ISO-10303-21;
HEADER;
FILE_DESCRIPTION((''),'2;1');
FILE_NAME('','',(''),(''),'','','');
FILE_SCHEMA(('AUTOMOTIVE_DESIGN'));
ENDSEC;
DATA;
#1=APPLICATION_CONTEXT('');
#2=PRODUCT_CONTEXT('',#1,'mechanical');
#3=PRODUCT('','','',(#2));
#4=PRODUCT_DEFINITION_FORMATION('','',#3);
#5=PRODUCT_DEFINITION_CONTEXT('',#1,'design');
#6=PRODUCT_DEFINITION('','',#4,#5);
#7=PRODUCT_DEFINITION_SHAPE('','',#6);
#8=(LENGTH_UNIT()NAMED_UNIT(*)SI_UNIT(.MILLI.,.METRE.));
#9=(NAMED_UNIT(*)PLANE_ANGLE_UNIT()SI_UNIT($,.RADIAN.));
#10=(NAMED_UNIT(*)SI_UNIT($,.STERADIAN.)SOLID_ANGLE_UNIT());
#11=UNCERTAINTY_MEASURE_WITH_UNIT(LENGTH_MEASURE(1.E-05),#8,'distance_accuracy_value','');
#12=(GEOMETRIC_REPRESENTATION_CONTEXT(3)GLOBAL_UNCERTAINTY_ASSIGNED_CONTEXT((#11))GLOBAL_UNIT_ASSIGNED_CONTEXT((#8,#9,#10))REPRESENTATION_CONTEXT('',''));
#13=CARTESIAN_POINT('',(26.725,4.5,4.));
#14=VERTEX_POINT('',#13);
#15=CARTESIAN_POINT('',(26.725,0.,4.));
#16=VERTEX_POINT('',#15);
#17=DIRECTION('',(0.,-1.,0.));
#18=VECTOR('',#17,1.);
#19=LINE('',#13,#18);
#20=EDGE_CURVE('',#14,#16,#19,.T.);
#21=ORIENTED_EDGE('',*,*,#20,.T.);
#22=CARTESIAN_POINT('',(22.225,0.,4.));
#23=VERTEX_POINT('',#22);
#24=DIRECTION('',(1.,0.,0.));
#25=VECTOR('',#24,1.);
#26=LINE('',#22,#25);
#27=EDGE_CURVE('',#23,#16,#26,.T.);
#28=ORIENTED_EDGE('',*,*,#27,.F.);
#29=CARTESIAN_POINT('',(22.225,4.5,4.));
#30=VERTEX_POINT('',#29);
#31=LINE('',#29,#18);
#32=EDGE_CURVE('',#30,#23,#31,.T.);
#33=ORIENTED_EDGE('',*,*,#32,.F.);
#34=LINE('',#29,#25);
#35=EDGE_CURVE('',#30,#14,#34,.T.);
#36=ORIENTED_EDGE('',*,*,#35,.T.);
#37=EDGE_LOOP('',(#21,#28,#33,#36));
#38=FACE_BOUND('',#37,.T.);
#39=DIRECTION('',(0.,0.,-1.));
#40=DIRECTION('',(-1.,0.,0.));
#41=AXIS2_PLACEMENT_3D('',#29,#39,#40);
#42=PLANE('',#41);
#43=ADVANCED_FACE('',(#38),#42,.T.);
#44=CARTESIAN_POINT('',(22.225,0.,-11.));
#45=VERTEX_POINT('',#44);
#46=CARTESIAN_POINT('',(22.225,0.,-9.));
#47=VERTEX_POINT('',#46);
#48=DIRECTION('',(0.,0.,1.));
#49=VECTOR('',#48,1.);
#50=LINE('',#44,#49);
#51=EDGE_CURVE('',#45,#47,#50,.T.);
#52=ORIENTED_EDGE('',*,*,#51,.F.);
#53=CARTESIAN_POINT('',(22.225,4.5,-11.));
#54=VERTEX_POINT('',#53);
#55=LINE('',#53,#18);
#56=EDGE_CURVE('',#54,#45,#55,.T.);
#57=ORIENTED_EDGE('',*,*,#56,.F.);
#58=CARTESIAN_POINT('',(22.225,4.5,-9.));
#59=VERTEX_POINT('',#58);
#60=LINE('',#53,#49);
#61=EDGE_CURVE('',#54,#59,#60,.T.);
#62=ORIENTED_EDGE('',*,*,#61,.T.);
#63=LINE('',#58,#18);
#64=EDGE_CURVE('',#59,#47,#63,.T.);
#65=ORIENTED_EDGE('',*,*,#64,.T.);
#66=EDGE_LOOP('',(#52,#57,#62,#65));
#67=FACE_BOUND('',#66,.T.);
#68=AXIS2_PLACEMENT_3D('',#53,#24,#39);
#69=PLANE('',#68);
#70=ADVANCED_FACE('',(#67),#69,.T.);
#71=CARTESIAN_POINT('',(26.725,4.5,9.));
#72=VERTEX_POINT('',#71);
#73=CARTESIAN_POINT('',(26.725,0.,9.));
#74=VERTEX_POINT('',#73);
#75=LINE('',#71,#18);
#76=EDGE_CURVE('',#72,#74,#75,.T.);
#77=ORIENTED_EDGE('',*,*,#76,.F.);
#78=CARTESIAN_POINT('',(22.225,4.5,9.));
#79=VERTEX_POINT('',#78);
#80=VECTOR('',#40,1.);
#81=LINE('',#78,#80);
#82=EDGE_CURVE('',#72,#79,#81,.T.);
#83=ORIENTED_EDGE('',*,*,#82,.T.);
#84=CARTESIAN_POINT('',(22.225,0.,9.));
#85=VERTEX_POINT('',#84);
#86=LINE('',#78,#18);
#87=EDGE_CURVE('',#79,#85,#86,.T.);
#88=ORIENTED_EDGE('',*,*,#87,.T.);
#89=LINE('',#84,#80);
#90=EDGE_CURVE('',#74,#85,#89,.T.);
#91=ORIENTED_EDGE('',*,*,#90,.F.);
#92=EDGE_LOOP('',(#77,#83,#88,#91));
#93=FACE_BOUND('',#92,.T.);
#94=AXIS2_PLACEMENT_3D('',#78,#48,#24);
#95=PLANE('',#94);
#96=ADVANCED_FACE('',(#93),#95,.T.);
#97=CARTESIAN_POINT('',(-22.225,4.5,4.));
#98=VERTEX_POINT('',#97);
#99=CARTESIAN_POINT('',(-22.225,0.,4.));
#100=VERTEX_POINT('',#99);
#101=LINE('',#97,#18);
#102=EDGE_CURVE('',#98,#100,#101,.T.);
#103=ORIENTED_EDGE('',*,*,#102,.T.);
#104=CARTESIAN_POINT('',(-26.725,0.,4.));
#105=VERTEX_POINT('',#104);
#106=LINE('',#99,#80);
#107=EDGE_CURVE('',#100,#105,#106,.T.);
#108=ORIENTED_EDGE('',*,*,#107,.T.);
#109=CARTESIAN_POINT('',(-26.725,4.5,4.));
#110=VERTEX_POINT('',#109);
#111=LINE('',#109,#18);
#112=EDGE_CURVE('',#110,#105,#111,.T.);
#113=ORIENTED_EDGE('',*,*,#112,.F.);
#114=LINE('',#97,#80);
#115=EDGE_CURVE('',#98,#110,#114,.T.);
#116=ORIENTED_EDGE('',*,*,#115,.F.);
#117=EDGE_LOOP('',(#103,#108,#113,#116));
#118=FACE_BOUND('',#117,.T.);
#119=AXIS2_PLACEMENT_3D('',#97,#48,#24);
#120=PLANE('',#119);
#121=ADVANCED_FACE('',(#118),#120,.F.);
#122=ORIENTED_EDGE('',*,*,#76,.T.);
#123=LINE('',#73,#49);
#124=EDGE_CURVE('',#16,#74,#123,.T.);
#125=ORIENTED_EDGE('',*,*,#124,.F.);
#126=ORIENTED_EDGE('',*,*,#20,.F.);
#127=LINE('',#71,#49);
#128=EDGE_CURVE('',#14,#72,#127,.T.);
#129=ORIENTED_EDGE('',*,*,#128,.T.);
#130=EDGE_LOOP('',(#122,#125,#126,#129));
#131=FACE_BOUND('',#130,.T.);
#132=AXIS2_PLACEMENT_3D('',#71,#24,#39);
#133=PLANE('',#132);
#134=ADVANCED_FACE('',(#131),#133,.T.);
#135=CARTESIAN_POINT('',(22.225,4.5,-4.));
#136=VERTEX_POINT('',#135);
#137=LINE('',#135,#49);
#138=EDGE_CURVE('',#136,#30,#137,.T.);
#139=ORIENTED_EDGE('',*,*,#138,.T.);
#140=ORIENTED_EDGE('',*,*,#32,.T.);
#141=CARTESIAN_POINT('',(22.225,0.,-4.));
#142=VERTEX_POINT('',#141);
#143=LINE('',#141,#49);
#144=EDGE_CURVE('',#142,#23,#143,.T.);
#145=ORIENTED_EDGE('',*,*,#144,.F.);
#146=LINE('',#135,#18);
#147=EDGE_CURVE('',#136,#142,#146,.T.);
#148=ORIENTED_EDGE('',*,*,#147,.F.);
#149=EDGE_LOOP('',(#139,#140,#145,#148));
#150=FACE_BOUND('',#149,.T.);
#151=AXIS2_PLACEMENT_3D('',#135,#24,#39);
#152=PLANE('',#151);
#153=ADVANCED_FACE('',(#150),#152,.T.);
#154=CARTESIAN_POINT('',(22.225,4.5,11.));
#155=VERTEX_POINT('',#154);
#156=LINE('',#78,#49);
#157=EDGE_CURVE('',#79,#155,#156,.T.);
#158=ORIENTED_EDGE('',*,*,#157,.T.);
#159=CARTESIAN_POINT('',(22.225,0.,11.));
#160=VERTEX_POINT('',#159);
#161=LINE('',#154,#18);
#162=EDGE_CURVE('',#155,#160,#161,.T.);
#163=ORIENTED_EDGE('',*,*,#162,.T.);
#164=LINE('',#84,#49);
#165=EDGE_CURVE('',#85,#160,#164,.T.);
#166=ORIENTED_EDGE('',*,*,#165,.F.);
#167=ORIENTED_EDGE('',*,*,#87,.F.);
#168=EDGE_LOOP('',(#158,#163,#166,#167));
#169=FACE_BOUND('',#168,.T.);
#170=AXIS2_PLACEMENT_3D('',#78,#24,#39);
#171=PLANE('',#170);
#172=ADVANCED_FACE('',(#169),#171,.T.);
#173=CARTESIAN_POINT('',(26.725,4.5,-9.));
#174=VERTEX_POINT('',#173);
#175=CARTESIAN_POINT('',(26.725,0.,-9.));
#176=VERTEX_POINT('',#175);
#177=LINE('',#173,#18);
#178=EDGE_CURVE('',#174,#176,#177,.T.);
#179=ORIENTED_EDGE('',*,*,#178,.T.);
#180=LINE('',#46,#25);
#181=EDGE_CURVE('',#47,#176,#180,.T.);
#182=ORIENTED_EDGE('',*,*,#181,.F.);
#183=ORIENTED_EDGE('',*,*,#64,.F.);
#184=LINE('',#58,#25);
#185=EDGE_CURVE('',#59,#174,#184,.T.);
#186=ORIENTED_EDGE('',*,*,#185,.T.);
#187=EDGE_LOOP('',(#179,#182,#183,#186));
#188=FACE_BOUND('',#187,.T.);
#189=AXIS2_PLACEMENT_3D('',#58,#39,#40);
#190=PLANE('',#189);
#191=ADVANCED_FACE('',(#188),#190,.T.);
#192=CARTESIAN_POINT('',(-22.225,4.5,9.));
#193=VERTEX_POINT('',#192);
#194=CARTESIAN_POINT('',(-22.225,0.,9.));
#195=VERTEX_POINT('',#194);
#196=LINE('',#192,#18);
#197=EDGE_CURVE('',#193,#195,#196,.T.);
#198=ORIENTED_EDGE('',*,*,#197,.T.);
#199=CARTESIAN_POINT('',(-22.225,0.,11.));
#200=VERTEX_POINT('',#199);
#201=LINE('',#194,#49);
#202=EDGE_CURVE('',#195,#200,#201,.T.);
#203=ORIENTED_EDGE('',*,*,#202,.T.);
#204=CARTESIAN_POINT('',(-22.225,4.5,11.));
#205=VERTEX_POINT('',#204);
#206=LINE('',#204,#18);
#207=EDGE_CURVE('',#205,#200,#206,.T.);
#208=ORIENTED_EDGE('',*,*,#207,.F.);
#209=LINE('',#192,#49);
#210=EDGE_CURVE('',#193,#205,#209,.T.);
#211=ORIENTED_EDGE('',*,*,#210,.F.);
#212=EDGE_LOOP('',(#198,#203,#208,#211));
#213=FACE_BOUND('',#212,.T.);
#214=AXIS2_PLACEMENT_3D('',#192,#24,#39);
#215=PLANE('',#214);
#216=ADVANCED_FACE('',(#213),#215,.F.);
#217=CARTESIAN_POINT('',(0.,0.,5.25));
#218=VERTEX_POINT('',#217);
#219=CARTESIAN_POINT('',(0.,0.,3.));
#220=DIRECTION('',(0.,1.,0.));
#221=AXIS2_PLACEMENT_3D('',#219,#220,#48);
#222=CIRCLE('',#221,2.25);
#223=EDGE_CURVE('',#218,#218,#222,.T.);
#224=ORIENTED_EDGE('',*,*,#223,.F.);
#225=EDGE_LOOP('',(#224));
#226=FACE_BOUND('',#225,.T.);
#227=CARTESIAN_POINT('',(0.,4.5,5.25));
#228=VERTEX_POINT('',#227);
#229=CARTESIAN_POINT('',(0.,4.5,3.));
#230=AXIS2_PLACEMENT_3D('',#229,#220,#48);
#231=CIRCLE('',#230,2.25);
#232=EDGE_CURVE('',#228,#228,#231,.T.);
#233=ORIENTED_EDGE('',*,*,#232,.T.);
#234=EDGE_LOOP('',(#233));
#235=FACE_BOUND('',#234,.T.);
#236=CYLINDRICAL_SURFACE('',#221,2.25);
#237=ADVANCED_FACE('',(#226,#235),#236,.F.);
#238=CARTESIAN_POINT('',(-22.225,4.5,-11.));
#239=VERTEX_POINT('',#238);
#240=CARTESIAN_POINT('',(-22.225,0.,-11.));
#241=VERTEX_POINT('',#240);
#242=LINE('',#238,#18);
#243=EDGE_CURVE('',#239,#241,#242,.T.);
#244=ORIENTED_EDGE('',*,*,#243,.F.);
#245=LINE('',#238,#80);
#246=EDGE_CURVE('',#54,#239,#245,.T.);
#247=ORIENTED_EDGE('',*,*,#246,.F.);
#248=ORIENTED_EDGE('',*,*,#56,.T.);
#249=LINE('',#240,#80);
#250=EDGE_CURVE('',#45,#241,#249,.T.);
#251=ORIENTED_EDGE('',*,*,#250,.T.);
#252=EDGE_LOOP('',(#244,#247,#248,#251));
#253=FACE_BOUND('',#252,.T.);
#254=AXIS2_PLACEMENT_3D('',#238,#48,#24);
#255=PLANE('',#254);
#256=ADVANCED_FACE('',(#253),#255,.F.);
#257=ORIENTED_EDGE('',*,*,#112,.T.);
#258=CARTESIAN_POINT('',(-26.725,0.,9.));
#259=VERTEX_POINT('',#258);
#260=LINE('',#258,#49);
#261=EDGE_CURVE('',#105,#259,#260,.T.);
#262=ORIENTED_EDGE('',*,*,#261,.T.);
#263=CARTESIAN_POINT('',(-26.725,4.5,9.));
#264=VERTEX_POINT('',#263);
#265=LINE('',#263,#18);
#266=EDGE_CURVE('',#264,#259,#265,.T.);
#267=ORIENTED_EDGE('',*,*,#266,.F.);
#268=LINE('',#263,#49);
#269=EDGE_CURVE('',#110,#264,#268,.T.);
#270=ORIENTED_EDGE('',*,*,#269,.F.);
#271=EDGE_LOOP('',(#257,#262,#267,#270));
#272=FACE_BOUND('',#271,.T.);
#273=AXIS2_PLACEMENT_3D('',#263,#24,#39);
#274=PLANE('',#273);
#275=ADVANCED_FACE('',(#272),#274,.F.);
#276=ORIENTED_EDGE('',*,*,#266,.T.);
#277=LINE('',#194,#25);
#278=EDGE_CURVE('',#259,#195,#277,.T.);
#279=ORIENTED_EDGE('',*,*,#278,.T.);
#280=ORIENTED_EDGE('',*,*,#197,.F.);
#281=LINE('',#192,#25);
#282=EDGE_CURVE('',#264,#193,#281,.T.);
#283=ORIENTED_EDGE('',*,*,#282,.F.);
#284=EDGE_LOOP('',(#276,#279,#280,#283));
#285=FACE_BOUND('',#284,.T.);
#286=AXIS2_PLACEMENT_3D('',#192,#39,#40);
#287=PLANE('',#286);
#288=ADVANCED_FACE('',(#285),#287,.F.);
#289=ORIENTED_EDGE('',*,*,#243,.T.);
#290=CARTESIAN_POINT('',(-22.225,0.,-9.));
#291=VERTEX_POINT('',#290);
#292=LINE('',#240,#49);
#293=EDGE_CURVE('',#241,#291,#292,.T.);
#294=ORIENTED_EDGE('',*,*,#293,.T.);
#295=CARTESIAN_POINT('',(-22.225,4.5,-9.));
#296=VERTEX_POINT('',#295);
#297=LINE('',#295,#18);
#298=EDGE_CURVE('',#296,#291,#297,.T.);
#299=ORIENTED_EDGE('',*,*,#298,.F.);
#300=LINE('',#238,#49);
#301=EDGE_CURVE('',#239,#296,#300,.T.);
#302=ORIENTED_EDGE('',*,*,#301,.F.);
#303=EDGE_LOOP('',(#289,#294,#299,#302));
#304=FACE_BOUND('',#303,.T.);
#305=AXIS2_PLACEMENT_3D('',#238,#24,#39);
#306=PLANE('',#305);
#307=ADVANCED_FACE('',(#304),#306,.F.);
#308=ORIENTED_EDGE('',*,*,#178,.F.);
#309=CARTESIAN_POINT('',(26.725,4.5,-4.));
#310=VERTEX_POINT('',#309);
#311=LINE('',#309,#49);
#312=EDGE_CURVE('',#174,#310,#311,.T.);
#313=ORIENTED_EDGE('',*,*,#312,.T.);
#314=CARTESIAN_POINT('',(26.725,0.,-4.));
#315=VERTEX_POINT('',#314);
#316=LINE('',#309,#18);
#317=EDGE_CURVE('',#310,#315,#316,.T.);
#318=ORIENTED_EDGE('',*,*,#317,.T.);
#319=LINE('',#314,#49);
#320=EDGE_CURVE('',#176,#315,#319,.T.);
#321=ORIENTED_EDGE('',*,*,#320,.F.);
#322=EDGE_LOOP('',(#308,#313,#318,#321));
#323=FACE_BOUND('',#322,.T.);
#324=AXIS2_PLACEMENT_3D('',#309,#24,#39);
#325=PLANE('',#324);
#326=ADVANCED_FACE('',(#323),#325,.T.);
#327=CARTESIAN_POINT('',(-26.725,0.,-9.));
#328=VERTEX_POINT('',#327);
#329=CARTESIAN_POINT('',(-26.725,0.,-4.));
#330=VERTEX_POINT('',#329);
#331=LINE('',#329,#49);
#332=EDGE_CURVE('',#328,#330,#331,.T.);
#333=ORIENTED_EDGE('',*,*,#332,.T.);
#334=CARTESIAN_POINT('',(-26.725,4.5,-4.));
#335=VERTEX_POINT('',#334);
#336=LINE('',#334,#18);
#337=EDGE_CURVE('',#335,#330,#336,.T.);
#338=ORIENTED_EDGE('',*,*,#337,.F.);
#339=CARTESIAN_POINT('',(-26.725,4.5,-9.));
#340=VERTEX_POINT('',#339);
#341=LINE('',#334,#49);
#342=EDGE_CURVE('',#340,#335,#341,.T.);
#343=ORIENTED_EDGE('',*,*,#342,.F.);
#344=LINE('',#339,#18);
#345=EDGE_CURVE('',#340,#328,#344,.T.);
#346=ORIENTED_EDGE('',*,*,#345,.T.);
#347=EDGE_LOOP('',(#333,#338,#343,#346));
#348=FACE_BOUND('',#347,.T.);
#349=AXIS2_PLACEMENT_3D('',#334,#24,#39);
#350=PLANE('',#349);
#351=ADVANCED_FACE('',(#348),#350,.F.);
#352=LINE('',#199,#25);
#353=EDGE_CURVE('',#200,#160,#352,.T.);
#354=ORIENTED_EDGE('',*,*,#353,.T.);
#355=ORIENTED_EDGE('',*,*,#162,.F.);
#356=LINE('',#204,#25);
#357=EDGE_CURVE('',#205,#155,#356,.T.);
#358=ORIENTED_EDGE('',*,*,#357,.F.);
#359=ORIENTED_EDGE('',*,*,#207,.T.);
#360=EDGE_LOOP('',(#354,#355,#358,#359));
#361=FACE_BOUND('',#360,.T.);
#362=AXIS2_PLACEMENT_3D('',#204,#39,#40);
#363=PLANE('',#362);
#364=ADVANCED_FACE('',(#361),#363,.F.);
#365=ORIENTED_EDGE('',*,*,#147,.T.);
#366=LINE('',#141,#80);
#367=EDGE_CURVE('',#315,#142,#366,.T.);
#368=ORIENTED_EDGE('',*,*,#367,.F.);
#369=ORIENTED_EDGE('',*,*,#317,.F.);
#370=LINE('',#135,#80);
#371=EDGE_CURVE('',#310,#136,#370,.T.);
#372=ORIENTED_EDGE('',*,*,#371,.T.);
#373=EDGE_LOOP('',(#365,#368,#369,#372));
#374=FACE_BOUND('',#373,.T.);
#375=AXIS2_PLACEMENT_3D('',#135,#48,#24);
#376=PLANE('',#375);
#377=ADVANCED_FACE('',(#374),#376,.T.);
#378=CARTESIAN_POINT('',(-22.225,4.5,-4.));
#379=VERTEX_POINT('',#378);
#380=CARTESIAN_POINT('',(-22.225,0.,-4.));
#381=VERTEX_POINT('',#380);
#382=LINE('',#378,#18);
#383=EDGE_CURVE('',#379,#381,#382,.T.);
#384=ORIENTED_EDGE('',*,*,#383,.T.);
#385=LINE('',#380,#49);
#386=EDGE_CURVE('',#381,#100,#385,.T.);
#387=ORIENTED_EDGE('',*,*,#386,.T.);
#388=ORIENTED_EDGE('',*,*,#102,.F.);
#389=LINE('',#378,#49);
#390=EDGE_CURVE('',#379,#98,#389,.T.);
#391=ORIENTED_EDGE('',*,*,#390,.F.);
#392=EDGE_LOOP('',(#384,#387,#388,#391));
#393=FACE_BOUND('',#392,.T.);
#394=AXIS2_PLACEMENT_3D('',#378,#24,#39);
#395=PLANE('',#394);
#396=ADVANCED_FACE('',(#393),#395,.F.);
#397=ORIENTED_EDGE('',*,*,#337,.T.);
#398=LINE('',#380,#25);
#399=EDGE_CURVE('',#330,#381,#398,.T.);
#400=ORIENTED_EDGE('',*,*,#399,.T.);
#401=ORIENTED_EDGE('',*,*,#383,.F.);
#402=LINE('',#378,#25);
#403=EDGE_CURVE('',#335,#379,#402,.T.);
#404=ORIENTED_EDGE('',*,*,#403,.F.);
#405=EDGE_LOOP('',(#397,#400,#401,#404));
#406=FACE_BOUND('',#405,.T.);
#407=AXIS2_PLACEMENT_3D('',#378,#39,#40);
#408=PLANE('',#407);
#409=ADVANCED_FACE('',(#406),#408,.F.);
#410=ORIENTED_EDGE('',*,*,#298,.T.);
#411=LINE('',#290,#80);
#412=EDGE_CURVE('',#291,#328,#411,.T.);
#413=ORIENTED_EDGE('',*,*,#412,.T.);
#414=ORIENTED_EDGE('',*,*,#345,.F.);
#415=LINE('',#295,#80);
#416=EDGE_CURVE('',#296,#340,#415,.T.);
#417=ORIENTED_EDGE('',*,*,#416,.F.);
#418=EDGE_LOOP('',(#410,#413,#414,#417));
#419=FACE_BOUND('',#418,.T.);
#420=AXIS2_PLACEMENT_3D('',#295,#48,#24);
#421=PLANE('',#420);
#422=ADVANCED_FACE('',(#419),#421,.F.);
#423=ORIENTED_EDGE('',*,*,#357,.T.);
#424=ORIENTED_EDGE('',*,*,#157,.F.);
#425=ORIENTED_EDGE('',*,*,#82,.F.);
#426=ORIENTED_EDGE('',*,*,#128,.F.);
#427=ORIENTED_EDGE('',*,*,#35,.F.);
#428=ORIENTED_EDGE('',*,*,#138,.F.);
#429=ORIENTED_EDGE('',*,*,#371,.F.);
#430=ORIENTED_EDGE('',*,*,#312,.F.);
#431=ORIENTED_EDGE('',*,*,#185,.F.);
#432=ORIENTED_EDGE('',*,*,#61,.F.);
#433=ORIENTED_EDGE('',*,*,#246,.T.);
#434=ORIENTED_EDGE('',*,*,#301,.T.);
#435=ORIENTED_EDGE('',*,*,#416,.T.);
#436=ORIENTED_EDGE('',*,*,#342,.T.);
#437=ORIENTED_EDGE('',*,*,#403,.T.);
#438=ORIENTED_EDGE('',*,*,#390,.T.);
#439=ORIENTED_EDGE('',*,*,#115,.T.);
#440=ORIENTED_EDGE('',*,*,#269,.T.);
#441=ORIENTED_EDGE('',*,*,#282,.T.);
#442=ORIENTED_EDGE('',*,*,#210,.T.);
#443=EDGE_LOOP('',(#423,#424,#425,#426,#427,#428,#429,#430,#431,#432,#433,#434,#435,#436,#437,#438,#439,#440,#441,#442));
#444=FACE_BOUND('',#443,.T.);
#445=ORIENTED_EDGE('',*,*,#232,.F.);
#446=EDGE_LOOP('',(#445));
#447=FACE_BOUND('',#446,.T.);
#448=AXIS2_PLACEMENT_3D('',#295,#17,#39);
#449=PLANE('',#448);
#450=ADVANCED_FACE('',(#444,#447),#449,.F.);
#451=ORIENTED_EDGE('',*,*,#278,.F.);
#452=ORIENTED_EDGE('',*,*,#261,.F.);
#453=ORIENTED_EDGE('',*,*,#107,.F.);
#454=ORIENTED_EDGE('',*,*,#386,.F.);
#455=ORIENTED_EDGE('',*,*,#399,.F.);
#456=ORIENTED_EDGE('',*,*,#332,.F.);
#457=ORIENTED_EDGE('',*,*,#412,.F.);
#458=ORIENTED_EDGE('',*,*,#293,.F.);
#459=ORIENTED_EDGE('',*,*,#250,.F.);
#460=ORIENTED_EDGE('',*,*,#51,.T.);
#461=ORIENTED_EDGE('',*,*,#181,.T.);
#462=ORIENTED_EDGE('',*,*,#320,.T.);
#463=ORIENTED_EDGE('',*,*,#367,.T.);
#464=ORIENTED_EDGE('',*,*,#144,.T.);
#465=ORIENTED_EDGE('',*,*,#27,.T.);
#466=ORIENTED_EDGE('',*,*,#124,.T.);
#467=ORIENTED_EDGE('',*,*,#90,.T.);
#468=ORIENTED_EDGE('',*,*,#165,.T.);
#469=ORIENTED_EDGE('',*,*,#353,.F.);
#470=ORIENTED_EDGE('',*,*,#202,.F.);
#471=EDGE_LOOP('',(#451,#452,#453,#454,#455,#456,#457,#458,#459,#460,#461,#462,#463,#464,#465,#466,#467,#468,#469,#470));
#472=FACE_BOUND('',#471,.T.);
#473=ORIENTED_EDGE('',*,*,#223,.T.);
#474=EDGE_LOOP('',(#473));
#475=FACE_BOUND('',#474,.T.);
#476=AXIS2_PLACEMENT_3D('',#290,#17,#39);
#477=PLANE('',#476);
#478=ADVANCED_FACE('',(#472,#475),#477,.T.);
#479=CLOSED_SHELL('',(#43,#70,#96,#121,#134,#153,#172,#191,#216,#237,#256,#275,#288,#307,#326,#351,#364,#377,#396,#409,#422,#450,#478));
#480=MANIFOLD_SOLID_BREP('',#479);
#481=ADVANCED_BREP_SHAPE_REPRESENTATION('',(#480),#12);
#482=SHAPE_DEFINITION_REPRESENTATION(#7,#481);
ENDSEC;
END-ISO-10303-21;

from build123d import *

# Parameters (mm, degrees)
BOSS_EXTRUDE1_DEPTH = 4.5
SKETCH2_R           = 2.25
CUT_EXTRUDE1_DEPTH  = 5.5


with BuildPart() as part:
    # Sketch1 → Boss-Extrude1 (new body)
    with BuildSketch(Plane(origin=(0, 0, 0), x_dir=(1, 0, 0), z_dir=(0, 1, 0))):
        Polygon((-22.225, -9), (-22.225, -11), (0, -11), (0, 11), (-22.225, 11), (-22.225, 9), (-26.725, 9), (-26.725, 4), (-22.225, 4), (-22.225, -4), (-26.725, -4), (-26.725, -9), align=None)
    boss_extrude1 = extrude(amount=BOSS_EXTRUDE1_DEPTH)

    # Mirror1: Boss-Extrude1 across plane
    add(boss_extrude1.mirror(Plane(origin=(0, 4.5, -11), x_dir=(0, 0, 1), z_dir=(-1, 0, 0))))

    # Sketch2 → Cut-Extrude1 (cut, through all)
    with BuildSketch(Plane(origin=(0, 4.5, 0), x_dir=(1, 0, 0), z_dir=(0, 1, 0))):
        with Locations((0, -3)):
            Circle(SKETCH2_R)
    extrude(amount=-CUT_EXTRUDE1_DEPTH, mode=Mode.SUBTRACT)


solid = part.part
